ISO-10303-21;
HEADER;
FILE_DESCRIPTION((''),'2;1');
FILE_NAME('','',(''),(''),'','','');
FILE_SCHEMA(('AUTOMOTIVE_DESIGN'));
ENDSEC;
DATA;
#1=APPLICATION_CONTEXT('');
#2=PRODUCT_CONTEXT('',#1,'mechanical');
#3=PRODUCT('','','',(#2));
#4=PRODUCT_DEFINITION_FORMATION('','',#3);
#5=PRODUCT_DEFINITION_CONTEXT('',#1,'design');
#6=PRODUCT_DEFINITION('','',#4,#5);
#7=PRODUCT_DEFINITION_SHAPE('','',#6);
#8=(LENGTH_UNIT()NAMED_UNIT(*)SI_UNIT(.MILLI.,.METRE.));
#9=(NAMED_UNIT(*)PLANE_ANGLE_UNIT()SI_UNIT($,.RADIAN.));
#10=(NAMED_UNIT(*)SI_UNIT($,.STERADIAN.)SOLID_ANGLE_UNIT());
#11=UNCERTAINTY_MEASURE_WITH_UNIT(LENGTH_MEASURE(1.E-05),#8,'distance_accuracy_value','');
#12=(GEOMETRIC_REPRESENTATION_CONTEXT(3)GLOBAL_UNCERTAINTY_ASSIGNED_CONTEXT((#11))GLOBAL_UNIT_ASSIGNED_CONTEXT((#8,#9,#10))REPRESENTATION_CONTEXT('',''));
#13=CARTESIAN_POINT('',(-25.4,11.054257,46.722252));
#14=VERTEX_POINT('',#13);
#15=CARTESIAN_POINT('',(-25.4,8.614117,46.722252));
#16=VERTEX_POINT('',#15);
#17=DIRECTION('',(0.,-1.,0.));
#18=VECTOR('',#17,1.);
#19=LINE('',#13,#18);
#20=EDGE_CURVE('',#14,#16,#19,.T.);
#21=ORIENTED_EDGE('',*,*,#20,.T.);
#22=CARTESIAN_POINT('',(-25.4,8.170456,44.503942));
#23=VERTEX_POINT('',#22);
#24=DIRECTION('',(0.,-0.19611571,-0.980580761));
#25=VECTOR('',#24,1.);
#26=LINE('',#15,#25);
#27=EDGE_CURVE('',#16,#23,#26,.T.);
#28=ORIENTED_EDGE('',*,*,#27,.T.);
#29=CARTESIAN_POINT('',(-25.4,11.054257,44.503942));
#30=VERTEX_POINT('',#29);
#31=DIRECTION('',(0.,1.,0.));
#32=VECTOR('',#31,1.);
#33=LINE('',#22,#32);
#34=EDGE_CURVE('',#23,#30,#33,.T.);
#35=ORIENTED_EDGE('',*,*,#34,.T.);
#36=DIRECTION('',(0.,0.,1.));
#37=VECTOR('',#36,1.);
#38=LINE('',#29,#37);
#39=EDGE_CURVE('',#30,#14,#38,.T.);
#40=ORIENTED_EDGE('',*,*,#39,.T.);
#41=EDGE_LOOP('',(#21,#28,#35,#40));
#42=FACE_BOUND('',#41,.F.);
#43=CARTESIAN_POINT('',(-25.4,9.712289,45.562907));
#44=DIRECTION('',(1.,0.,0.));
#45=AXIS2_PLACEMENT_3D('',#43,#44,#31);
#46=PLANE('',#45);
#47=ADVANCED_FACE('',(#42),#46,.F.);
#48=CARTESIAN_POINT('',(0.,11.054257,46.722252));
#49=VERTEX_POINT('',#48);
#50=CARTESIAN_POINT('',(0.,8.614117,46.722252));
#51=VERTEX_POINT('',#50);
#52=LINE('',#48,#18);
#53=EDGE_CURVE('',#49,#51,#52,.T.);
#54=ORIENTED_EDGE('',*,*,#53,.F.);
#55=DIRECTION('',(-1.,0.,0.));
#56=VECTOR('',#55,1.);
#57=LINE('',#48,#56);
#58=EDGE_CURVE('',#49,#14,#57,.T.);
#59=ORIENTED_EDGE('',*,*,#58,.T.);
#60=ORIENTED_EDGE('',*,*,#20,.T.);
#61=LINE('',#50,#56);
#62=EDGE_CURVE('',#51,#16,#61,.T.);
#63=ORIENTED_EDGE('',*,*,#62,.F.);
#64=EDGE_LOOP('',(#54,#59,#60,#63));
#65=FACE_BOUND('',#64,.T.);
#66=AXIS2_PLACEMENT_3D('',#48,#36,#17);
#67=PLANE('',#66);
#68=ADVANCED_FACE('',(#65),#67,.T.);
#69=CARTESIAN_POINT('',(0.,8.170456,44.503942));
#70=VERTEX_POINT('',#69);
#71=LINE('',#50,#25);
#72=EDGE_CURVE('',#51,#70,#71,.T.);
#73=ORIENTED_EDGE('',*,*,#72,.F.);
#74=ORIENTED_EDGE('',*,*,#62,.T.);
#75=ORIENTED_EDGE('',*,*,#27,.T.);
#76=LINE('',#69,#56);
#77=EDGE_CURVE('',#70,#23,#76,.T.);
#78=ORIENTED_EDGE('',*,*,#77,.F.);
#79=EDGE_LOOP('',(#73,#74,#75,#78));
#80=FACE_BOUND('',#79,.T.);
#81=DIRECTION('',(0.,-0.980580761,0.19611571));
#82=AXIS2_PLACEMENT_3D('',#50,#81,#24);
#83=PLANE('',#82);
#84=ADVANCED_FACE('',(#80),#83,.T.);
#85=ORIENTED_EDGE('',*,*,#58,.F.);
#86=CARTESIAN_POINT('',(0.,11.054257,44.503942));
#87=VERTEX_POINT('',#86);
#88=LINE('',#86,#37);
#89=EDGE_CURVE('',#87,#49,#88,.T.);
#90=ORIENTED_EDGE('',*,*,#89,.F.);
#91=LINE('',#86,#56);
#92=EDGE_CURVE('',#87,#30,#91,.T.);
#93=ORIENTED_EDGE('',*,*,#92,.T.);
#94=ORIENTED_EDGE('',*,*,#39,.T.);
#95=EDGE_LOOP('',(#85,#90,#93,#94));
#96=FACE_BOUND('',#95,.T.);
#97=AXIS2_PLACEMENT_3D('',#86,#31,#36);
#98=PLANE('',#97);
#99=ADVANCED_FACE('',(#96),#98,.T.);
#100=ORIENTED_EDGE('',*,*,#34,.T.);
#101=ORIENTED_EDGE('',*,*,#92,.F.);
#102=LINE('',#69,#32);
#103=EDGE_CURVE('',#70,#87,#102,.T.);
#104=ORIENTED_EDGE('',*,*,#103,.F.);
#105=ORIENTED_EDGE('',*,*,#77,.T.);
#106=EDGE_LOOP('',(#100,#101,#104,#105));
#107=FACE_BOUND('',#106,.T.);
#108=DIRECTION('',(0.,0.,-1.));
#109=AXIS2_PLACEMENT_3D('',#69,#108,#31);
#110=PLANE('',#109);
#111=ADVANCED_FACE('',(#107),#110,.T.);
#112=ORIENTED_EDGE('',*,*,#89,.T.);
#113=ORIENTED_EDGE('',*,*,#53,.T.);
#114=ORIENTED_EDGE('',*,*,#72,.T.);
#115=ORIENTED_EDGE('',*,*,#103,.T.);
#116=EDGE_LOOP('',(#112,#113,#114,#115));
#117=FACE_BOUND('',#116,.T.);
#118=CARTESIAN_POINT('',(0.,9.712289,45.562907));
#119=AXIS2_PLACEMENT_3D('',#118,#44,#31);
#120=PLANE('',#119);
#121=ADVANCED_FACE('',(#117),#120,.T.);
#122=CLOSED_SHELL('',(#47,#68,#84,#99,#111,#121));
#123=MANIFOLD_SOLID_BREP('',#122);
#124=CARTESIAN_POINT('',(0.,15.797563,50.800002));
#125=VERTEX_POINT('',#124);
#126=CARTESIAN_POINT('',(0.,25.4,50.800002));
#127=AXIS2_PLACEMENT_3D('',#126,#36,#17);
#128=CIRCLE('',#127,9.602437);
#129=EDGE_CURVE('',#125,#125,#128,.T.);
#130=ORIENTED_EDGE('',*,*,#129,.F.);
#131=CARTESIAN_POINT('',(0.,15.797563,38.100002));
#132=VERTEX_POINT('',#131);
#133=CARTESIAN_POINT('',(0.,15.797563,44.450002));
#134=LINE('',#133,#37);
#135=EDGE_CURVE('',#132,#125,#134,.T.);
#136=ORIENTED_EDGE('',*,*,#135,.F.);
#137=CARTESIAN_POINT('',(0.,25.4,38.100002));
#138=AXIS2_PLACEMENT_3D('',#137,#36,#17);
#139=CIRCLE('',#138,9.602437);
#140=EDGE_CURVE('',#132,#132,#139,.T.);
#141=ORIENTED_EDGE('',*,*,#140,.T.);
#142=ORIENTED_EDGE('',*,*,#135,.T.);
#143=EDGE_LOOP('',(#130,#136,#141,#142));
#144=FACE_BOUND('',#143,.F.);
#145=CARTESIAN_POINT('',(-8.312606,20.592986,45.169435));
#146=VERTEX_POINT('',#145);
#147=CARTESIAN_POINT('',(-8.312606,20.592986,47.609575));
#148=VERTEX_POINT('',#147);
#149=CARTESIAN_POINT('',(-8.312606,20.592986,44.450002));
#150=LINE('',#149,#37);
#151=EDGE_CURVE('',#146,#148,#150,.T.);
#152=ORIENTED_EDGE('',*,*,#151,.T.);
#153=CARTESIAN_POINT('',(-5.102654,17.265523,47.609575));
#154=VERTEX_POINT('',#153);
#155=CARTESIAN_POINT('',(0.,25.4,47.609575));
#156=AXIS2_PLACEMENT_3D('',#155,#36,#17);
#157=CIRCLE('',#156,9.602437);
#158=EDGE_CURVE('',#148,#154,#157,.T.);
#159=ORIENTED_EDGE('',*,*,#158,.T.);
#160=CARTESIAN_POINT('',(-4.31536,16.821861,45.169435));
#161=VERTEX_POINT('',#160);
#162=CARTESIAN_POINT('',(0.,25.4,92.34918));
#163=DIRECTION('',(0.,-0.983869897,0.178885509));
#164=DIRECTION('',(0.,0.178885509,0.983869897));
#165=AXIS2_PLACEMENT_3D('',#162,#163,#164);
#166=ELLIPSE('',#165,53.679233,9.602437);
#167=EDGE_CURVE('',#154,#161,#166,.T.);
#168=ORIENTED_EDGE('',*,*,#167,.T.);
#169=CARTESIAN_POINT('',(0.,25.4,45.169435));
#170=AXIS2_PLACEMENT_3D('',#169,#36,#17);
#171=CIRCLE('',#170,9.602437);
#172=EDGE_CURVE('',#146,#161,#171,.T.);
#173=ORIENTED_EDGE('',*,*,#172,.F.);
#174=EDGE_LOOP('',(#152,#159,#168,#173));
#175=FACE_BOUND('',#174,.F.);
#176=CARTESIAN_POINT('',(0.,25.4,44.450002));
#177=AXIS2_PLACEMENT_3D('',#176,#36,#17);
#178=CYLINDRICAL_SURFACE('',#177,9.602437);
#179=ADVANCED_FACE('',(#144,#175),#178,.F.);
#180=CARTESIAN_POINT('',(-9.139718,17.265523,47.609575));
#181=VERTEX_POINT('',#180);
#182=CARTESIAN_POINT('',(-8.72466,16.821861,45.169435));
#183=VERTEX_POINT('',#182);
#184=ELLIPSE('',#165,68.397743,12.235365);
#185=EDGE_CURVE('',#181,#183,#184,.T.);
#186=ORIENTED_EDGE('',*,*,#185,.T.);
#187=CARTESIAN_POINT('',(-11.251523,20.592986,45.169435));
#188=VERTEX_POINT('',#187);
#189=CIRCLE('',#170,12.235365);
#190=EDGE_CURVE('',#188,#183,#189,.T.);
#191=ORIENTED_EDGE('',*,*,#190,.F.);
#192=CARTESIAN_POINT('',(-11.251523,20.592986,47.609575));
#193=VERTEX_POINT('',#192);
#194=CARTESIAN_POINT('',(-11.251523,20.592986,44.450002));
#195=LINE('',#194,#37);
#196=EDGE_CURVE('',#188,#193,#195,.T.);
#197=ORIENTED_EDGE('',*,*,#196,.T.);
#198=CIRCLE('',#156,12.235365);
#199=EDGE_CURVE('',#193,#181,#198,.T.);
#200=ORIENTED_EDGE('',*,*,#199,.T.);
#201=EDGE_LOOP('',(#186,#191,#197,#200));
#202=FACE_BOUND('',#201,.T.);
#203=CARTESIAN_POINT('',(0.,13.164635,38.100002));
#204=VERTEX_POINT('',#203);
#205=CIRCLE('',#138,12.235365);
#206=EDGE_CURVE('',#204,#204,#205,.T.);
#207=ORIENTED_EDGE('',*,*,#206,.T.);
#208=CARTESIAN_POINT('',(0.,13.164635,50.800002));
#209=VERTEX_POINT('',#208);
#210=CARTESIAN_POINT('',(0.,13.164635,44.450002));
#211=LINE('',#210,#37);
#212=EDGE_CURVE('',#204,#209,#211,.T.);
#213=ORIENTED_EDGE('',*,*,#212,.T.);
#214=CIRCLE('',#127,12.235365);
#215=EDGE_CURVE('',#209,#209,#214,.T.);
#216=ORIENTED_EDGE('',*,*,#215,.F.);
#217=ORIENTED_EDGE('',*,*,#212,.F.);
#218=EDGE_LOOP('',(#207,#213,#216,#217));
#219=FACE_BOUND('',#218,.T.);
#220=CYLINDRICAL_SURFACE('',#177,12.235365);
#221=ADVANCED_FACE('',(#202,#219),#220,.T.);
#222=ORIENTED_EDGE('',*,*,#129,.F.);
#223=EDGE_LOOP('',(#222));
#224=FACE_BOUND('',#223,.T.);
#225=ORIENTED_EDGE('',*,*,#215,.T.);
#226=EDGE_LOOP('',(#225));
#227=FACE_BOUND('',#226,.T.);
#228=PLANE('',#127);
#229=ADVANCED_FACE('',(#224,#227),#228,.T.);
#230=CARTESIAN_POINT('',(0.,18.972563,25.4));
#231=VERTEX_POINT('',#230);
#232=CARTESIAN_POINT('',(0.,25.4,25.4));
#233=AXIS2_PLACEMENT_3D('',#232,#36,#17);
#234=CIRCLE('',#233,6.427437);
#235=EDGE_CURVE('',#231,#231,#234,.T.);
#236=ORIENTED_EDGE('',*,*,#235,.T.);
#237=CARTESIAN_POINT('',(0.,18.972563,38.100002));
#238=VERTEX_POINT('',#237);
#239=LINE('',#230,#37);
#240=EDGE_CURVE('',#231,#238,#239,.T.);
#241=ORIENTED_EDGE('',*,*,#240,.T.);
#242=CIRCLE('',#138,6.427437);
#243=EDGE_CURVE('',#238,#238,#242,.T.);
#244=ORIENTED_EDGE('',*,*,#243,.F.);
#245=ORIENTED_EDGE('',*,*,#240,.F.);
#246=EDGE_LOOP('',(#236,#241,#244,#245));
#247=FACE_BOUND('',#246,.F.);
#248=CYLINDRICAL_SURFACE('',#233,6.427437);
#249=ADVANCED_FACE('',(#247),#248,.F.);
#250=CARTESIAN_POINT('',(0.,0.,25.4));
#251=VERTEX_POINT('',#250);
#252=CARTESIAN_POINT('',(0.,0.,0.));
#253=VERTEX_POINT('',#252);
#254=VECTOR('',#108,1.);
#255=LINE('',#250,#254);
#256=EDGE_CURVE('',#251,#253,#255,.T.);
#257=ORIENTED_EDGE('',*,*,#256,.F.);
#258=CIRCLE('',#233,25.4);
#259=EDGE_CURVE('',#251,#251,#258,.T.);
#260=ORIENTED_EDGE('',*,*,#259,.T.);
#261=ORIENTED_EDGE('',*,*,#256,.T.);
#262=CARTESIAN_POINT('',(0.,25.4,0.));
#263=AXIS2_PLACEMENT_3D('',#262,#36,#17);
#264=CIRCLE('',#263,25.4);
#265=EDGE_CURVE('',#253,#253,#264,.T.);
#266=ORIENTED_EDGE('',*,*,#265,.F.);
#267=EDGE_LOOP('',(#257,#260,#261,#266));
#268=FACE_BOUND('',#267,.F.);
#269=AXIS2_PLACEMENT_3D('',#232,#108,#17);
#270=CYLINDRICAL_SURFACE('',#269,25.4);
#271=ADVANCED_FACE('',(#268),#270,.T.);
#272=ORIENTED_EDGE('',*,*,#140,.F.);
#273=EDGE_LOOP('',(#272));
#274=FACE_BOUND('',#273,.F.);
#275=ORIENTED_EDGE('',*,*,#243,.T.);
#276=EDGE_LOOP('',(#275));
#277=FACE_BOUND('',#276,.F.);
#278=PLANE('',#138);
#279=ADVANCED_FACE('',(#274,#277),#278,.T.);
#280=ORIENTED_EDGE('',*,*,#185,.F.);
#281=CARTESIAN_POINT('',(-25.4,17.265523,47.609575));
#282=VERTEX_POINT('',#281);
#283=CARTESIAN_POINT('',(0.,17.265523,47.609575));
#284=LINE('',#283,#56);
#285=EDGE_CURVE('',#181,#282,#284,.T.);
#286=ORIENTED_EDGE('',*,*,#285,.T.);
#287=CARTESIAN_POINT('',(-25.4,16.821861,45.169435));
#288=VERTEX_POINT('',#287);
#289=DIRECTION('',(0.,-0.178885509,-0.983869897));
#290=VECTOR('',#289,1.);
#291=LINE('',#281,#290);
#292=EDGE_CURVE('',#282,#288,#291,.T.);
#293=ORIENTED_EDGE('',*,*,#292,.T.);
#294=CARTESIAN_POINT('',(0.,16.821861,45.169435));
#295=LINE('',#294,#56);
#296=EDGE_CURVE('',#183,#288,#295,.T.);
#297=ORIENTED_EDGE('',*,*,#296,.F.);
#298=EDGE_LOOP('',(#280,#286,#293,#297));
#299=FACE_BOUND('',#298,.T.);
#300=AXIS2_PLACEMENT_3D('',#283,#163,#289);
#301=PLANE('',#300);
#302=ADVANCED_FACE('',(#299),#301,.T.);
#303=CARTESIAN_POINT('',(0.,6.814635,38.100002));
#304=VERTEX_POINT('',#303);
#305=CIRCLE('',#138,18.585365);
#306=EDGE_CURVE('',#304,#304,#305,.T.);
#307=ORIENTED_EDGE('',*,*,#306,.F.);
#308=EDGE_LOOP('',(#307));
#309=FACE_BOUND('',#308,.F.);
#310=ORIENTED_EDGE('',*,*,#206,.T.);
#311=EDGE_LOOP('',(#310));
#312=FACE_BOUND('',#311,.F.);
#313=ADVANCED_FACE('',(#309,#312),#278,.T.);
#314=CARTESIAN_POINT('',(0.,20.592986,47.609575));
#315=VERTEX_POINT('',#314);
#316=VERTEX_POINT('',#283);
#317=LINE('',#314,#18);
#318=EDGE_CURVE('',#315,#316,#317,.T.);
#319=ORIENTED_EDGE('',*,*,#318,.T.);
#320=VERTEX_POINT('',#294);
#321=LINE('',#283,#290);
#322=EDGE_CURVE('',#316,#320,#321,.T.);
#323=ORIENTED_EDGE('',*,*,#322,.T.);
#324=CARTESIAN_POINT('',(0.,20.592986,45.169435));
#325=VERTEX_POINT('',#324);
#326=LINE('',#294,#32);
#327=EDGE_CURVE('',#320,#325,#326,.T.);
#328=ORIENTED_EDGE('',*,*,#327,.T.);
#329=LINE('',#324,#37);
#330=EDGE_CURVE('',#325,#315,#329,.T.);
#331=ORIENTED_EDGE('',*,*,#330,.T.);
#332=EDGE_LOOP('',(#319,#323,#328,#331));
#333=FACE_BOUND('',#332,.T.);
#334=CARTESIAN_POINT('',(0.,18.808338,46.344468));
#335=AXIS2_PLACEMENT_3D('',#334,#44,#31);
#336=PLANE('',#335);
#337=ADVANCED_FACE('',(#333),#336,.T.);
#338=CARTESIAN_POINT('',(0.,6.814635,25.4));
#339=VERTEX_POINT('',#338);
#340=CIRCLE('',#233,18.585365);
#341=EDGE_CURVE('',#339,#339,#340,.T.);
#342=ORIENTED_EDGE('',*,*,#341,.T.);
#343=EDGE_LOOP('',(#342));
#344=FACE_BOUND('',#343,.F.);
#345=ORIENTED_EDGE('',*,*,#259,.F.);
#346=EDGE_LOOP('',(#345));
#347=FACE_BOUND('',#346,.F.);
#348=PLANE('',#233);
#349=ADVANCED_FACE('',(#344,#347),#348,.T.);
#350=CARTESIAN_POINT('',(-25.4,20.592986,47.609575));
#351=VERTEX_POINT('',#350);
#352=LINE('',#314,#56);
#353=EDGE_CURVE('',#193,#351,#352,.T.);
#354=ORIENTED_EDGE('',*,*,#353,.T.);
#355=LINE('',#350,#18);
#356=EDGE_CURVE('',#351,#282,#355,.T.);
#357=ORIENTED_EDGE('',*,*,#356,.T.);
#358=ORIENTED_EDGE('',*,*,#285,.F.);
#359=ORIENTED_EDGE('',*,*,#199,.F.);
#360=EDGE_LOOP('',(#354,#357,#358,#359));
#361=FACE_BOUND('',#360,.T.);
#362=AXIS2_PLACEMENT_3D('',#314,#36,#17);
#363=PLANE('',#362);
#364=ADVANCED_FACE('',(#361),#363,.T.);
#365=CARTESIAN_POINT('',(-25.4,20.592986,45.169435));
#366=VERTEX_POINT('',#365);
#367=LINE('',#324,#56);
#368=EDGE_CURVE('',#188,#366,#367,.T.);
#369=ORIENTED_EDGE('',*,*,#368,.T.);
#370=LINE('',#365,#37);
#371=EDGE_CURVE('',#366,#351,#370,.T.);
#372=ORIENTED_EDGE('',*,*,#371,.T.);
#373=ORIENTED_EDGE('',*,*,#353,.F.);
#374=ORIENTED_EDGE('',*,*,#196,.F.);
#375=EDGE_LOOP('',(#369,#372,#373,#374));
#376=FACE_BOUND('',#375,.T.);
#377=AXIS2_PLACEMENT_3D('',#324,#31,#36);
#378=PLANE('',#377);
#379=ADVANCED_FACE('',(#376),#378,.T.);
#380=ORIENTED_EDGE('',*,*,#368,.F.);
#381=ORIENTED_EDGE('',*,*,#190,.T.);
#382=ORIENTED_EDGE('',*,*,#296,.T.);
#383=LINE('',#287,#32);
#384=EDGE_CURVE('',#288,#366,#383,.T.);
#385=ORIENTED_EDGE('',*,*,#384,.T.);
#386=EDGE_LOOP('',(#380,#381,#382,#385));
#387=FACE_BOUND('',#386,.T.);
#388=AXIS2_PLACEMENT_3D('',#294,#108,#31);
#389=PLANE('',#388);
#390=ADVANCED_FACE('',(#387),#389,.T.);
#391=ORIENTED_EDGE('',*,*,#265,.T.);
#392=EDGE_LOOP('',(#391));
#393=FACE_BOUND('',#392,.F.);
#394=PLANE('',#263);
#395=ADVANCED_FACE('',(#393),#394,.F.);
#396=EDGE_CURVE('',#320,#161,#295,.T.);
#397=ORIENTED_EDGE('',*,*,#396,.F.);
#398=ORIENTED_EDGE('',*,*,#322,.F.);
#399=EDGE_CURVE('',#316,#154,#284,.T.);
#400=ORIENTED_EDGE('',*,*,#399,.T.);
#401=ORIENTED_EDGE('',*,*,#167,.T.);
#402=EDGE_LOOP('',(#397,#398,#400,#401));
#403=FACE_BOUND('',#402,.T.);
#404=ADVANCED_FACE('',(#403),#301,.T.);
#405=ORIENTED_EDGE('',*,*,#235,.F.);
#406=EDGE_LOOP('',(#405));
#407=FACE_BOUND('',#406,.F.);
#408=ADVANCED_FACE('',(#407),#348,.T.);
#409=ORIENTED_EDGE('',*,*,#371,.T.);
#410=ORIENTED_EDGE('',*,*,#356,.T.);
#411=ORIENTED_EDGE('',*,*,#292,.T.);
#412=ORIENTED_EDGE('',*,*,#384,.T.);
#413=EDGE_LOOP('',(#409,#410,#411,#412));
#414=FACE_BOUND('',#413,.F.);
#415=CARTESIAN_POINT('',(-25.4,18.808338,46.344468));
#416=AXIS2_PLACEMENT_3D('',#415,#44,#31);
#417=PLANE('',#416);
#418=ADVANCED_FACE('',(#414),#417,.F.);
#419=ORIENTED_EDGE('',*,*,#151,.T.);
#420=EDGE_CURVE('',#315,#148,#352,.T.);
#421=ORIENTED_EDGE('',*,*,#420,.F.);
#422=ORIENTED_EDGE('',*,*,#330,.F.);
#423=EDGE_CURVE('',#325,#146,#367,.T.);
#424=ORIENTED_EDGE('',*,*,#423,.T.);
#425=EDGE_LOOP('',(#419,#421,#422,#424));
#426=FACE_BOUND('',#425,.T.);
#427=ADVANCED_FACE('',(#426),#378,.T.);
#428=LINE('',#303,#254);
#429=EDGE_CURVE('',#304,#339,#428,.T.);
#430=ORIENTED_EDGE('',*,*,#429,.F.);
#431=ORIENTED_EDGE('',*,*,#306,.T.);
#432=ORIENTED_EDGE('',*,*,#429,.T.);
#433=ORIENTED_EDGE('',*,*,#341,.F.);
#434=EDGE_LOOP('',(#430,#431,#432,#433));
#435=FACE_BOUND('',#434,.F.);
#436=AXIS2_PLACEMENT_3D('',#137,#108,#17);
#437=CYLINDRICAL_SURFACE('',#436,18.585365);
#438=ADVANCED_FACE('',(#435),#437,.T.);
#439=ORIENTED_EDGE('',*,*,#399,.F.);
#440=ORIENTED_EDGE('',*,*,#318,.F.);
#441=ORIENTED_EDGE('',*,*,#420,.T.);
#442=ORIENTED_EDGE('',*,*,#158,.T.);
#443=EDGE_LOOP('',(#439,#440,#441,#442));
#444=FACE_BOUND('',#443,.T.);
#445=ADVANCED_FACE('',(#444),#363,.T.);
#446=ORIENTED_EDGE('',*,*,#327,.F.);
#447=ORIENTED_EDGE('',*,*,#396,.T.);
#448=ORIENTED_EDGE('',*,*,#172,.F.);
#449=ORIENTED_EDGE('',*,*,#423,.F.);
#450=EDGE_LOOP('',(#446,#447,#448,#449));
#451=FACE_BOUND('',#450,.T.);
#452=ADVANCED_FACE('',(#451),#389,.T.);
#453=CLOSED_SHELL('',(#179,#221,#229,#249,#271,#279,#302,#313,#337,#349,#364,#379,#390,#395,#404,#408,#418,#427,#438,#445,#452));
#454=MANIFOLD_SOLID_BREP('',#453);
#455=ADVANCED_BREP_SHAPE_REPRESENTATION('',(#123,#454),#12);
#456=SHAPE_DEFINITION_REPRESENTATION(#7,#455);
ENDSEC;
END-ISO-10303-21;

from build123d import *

# Parameters (mm, degrees)
F0_W     = 2.632928
F0_H     = 12.7
F3_DEPTH = 25.4


with BuildPart() as f1:
    # F0 (on Right) → F1 (revolve)
    with BuildSketch(Plane.YZ):
        with Locations((14.481099, 44.450002)):
            Rectangle(F0_W, F0_H)
        Polygon((6.814635, 38.100002), (6.814635, 25.4), (18.972563, 25.4), (18.972563, 38.100002), (15.797563, 38.100002), (13.164635, 38.100002), align=None)
        Polygon((0, 25.4), (0, 0), (25.4, 0), (25.4, 25.4), (18.972563, 25.4), (6.814635, 25.4), align=None)
    revolve(axis=Axis((0, 25.4, 12.7), (0, 0, 1)))

    # F2 (on Right) → F3 (join)
    with BuildSketch(Plane.YZ):
        Polygon((11.054257, 46.722252), (8.614117, 46.722252), (8.170456, 44.503942), (11.054257, 44.503942), align=None)
        Polygon((20.592986, 47.609575), (17.265523, 47.609575), (16.821861, 45.169435), (20.592986, 45.169435), align=None)
    extrude(amount=-F3_DEPTH)


solid = f1.part
